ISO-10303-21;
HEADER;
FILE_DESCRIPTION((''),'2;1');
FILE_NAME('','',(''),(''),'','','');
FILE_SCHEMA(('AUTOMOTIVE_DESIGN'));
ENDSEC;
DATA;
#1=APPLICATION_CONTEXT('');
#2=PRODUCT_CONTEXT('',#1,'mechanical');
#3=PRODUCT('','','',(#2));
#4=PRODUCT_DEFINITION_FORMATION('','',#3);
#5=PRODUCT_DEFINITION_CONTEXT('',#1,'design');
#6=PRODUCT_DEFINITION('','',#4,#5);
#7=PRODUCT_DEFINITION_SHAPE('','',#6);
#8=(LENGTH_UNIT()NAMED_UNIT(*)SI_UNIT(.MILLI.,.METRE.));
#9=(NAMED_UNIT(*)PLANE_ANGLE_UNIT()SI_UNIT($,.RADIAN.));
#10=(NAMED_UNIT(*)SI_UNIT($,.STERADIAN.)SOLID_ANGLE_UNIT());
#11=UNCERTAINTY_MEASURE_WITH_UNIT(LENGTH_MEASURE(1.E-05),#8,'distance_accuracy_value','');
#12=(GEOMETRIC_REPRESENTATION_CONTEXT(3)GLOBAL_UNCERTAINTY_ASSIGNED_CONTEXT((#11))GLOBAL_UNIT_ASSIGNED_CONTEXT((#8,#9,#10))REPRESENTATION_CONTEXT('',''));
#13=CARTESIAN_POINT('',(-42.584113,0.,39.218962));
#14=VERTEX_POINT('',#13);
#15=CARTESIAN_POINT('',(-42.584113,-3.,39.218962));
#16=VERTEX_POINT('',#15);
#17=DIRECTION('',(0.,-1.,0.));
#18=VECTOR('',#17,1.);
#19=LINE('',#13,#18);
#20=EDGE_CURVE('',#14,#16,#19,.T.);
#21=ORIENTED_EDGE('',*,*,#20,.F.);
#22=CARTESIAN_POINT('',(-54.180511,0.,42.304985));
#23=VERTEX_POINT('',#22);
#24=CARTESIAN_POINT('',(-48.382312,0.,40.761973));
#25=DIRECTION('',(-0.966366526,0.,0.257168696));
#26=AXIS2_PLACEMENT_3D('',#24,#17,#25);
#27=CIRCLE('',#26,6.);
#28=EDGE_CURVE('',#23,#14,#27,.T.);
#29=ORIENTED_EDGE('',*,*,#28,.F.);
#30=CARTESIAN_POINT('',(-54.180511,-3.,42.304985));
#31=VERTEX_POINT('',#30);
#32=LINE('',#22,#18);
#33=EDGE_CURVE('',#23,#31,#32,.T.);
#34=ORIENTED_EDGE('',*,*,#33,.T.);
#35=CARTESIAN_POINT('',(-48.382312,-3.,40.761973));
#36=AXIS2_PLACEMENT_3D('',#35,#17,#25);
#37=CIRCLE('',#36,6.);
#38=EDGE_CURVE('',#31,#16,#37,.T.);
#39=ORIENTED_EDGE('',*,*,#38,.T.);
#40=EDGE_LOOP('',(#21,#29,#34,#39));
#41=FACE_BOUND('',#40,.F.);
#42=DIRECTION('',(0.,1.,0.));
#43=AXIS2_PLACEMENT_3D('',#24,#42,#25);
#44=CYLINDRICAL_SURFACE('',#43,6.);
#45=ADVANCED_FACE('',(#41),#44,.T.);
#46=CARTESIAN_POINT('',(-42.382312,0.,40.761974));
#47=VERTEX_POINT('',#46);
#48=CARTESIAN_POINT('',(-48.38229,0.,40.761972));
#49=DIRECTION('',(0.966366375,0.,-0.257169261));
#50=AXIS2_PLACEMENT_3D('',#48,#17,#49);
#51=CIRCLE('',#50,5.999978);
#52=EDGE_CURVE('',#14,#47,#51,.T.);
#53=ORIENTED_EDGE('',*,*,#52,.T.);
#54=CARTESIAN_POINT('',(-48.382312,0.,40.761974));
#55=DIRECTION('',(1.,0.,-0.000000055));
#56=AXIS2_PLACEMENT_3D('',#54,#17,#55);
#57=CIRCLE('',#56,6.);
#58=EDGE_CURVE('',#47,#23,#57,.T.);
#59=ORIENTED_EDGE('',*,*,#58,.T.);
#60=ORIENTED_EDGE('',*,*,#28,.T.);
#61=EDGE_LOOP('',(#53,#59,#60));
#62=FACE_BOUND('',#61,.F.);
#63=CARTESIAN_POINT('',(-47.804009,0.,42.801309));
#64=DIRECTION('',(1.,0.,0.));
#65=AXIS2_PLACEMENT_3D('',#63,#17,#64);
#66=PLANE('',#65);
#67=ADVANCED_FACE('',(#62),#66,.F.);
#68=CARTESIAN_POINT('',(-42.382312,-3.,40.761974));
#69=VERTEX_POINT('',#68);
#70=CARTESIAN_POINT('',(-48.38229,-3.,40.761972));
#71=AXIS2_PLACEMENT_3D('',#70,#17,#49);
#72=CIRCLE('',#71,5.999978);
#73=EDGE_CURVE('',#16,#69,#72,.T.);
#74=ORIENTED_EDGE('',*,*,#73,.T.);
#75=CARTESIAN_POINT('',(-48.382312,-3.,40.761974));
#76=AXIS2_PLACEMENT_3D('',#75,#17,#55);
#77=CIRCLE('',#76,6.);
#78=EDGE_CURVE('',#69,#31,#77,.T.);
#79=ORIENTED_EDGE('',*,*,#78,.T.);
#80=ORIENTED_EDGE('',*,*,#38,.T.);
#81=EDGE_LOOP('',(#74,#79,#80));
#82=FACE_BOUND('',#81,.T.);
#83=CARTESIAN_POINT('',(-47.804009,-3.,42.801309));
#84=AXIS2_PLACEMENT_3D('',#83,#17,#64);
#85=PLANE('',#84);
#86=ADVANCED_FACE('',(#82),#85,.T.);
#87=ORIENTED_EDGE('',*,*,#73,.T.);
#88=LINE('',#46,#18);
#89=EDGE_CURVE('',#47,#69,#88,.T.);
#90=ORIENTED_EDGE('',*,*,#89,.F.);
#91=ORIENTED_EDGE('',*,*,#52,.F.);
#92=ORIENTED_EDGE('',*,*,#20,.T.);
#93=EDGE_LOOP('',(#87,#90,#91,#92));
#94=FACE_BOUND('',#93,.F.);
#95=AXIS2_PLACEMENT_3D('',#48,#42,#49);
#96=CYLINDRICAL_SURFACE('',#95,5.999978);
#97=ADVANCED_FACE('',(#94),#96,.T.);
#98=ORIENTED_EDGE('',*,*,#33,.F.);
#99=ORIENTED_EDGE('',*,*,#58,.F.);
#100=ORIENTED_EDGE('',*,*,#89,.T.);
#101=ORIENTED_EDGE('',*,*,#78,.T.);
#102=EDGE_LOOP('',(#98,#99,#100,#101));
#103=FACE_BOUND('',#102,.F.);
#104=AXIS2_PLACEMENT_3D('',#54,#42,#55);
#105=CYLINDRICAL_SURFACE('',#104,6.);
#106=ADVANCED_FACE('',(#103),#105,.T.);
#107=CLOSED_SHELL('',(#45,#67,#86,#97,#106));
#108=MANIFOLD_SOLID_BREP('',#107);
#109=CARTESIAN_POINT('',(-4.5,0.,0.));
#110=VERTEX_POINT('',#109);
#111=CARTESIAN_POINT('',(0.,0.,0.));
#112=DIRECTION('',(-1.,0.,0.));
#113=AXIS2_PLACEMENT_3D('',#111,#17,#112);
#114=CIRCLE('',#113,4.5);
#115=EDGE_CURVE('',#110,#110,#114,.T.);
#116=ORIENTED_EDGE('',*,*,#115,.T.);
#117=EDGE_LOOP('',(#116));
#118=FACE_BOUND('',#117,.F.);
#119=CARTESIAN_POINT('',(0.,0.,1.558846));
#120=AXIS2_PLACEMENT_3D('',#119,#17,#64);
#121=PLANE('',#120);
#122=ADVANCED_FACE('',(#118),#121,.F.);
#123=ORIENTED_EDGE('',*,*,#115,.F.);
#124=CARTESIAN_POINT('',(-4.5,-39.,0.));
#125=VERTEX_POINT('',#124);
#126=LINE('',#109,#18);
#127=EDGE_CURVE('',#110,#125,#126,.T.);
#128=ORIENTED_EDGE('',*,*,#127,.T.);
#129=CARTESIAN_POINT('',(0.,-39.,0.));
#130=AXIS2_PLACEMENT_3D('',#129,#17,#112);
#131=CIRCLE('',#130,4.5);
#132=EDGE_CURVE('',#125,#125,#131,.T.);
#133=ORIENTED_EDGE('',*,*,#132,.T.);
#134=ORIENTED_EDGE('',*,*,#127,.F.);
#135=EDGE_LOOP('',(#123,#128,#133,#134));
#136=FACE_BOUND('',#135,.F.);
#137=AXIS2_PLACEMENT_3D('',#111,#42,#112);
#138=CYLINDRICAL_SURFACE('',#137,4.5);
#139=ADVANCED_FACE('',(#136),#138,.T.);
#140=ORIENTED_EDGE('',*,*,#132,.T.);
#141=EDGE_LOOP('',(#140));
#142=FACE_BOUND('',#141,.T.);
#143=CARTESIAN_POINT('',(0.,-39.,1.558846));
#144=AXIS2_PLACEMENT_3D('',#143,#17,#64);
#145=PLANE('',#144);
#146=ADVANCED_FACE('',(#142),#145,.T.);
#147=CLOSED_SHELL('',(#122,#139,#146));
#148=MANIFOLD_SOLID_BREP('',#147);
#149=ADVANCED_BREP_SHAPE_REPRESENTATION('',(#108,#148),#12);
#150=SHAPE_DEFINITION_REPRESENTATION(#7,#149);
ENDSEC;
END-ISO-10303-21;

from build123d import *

# Parameters (mm, degrees)
F1_DEPTH = 39
F3_DEPTH = 3


with BuildPart() as f1:
    # F0 (on Front) → F1 (new body)
    with BuildSketch(Plane.XZ):
        with BuildLine():
            Line((-4.5, 0), (4.5, 0))
            ThreePointArc((4.5, 0), (0, 4.5), (-4.5, 0))
        make_face()
        with BuildLine():
            ThreePointArc((-4.5, 0), (0, -4.5), (4.5, 0))
            Line((4.5, 0), (-4.5, 0))
        make_face()
    extrude(amount=F1_DEPTH)


with BuildPart() as f3:
    # F2 (on Front) → F3 (new body)
    with BuildSketch(Plane.XZ):
        with BuildLine():
            ThreePointArc((-42.584113, 39.218962), (-42.432976, 39.983898), (-42.382312, 40.761974))
            ThreePointArc((-42.382312, 40.761974), (-47.604236, 46.71131), (-54.180511, 42.304985))
            Line((-54.180511, 42.304985), (-48.382312, 40.761974))
            Line((-48.382312, 40.761974), (-42.584113, 39.218962))
        make_face()
        with BuildLine():
            Line((-48.382312, 40.761974), (-54.180511, 42.304985))
            ThreePointArc((-54.180511, 42.304985), (-49.925324, 34.963774), (-42.584113, 39.218962))
            Line((-42.584113, 39.218962), (-48.382312, 40.761974))
        make_face()
    extrude(amount=F3_DEPTH)


solid = Compound([f1.part, f3.part])
